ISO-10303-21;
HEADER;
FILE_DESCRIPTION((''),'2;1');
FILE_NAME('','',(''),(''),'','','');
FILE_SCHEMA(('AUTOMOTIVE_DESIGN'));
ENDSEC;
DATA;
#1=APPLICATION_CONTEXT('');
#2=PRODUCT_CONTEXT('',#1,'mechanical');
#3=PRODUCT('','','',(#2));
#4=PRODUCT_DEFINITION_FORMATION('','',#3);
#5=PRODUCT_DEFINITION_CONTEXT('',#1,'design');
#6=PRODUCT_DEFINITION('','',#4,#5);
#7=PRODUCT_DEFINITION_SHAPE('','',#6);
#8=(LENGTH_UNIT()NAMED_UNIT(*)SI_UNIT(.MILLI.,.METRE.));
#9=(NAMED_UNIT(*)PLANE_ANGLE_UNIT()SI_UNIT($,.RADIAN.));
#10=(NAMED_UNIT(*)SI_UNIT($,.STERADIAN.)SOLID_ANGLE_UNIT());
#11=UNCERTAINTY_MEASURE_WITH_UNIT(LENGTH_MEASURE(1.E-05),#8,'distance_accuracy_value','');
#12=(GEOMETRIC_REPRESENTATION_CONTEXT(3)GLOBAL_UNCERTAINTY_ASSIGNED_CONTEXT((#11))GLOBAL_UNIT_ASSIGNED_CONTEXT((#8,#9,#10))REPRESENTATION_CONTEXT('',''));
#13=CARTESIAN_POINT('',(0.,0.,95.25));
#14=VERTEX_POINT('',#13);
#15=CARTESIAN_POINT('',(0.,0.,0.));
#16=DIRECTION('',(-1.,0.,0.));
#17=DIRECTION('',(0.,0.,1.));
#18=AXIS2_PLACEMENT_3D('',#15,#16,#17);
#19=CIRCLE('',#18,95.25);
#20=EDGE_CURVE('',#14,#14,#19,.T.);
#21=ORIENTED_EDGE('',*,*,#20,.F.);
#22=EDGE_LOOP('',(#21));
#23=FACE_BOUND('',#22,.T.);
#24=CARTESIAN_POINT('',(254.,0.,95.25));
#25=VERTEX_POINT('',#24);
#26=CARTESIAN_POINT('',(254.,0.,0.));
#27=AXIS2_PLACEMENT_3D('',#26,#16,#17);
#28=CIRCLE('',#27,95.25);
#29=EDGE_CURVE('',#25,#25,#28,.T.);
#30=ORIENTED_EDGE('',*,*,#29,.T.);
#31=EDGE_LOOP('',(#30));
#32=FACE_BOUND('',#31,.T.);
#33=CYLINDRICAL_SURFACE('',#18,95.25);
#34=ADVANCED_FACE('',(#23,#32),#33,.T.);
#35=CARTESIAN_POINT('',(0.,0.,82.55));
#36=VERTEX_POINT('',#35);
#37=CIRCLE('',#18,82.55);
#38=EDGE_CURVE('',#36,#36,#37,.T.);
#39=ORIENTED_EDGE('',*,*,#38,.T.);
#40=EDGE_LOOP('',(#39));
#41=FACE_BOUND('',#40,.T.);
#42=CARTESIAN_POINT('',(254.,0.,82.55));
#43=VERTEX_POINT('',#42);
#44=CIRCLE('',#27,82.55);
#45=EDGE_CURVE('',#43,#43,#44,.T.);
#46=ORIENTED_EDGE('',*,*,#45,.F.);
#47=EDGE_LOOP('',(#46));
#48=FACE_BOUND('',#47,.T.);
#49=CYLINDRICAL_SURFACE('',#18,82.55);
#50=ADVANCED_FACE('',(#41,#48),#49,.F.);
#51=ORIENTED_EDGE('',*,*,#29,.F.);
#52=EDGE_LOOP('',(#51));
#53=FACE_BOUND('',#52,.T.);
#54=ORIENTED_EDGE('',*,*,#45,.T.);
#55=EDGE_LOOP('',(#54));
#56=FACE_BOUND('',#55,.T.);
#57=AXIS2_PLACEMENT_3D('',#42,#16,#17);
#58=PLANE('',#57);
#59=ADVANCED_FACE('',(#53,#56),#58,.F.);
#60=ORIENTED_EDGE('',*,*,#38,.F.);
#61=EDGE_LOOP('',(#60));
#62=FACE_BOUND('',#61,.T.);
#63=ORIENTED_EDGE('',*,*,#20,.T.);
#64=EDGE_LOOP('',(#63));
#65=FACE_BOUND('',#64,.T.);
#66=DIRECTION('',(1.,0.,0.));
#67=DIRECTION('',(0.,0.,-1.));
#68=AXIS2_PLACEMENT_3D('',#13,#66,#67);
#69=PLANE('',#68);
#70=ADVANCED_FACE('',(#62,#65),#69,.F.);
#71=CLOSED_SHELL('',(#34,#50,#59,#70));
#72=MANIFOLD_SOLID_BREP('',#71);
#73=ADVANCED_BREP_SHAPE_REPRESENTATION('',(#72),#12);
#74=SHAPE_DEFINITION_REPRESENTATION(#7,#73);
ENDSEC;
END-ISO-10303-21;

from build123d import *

# Parameters (mm, degrees)
SKETCH1_W = 254
SKETCH1_H = 12.7


with BuildPart() as part:
    # Sketch1 → Revolve-Thin2 (revolve)
    with BuildSketch(Plane(origin=(0, 0, 0), x_dir=(1, 0, 0), z_dir=(0, 1, 0))):
        with Locations((127, -88.9)):
            Rectangle(SKETCH1_W, SKETCH1_H)
    revolve(axis=Axis((0, 0, 0), (1, 0, 0)))


solid = part.part
